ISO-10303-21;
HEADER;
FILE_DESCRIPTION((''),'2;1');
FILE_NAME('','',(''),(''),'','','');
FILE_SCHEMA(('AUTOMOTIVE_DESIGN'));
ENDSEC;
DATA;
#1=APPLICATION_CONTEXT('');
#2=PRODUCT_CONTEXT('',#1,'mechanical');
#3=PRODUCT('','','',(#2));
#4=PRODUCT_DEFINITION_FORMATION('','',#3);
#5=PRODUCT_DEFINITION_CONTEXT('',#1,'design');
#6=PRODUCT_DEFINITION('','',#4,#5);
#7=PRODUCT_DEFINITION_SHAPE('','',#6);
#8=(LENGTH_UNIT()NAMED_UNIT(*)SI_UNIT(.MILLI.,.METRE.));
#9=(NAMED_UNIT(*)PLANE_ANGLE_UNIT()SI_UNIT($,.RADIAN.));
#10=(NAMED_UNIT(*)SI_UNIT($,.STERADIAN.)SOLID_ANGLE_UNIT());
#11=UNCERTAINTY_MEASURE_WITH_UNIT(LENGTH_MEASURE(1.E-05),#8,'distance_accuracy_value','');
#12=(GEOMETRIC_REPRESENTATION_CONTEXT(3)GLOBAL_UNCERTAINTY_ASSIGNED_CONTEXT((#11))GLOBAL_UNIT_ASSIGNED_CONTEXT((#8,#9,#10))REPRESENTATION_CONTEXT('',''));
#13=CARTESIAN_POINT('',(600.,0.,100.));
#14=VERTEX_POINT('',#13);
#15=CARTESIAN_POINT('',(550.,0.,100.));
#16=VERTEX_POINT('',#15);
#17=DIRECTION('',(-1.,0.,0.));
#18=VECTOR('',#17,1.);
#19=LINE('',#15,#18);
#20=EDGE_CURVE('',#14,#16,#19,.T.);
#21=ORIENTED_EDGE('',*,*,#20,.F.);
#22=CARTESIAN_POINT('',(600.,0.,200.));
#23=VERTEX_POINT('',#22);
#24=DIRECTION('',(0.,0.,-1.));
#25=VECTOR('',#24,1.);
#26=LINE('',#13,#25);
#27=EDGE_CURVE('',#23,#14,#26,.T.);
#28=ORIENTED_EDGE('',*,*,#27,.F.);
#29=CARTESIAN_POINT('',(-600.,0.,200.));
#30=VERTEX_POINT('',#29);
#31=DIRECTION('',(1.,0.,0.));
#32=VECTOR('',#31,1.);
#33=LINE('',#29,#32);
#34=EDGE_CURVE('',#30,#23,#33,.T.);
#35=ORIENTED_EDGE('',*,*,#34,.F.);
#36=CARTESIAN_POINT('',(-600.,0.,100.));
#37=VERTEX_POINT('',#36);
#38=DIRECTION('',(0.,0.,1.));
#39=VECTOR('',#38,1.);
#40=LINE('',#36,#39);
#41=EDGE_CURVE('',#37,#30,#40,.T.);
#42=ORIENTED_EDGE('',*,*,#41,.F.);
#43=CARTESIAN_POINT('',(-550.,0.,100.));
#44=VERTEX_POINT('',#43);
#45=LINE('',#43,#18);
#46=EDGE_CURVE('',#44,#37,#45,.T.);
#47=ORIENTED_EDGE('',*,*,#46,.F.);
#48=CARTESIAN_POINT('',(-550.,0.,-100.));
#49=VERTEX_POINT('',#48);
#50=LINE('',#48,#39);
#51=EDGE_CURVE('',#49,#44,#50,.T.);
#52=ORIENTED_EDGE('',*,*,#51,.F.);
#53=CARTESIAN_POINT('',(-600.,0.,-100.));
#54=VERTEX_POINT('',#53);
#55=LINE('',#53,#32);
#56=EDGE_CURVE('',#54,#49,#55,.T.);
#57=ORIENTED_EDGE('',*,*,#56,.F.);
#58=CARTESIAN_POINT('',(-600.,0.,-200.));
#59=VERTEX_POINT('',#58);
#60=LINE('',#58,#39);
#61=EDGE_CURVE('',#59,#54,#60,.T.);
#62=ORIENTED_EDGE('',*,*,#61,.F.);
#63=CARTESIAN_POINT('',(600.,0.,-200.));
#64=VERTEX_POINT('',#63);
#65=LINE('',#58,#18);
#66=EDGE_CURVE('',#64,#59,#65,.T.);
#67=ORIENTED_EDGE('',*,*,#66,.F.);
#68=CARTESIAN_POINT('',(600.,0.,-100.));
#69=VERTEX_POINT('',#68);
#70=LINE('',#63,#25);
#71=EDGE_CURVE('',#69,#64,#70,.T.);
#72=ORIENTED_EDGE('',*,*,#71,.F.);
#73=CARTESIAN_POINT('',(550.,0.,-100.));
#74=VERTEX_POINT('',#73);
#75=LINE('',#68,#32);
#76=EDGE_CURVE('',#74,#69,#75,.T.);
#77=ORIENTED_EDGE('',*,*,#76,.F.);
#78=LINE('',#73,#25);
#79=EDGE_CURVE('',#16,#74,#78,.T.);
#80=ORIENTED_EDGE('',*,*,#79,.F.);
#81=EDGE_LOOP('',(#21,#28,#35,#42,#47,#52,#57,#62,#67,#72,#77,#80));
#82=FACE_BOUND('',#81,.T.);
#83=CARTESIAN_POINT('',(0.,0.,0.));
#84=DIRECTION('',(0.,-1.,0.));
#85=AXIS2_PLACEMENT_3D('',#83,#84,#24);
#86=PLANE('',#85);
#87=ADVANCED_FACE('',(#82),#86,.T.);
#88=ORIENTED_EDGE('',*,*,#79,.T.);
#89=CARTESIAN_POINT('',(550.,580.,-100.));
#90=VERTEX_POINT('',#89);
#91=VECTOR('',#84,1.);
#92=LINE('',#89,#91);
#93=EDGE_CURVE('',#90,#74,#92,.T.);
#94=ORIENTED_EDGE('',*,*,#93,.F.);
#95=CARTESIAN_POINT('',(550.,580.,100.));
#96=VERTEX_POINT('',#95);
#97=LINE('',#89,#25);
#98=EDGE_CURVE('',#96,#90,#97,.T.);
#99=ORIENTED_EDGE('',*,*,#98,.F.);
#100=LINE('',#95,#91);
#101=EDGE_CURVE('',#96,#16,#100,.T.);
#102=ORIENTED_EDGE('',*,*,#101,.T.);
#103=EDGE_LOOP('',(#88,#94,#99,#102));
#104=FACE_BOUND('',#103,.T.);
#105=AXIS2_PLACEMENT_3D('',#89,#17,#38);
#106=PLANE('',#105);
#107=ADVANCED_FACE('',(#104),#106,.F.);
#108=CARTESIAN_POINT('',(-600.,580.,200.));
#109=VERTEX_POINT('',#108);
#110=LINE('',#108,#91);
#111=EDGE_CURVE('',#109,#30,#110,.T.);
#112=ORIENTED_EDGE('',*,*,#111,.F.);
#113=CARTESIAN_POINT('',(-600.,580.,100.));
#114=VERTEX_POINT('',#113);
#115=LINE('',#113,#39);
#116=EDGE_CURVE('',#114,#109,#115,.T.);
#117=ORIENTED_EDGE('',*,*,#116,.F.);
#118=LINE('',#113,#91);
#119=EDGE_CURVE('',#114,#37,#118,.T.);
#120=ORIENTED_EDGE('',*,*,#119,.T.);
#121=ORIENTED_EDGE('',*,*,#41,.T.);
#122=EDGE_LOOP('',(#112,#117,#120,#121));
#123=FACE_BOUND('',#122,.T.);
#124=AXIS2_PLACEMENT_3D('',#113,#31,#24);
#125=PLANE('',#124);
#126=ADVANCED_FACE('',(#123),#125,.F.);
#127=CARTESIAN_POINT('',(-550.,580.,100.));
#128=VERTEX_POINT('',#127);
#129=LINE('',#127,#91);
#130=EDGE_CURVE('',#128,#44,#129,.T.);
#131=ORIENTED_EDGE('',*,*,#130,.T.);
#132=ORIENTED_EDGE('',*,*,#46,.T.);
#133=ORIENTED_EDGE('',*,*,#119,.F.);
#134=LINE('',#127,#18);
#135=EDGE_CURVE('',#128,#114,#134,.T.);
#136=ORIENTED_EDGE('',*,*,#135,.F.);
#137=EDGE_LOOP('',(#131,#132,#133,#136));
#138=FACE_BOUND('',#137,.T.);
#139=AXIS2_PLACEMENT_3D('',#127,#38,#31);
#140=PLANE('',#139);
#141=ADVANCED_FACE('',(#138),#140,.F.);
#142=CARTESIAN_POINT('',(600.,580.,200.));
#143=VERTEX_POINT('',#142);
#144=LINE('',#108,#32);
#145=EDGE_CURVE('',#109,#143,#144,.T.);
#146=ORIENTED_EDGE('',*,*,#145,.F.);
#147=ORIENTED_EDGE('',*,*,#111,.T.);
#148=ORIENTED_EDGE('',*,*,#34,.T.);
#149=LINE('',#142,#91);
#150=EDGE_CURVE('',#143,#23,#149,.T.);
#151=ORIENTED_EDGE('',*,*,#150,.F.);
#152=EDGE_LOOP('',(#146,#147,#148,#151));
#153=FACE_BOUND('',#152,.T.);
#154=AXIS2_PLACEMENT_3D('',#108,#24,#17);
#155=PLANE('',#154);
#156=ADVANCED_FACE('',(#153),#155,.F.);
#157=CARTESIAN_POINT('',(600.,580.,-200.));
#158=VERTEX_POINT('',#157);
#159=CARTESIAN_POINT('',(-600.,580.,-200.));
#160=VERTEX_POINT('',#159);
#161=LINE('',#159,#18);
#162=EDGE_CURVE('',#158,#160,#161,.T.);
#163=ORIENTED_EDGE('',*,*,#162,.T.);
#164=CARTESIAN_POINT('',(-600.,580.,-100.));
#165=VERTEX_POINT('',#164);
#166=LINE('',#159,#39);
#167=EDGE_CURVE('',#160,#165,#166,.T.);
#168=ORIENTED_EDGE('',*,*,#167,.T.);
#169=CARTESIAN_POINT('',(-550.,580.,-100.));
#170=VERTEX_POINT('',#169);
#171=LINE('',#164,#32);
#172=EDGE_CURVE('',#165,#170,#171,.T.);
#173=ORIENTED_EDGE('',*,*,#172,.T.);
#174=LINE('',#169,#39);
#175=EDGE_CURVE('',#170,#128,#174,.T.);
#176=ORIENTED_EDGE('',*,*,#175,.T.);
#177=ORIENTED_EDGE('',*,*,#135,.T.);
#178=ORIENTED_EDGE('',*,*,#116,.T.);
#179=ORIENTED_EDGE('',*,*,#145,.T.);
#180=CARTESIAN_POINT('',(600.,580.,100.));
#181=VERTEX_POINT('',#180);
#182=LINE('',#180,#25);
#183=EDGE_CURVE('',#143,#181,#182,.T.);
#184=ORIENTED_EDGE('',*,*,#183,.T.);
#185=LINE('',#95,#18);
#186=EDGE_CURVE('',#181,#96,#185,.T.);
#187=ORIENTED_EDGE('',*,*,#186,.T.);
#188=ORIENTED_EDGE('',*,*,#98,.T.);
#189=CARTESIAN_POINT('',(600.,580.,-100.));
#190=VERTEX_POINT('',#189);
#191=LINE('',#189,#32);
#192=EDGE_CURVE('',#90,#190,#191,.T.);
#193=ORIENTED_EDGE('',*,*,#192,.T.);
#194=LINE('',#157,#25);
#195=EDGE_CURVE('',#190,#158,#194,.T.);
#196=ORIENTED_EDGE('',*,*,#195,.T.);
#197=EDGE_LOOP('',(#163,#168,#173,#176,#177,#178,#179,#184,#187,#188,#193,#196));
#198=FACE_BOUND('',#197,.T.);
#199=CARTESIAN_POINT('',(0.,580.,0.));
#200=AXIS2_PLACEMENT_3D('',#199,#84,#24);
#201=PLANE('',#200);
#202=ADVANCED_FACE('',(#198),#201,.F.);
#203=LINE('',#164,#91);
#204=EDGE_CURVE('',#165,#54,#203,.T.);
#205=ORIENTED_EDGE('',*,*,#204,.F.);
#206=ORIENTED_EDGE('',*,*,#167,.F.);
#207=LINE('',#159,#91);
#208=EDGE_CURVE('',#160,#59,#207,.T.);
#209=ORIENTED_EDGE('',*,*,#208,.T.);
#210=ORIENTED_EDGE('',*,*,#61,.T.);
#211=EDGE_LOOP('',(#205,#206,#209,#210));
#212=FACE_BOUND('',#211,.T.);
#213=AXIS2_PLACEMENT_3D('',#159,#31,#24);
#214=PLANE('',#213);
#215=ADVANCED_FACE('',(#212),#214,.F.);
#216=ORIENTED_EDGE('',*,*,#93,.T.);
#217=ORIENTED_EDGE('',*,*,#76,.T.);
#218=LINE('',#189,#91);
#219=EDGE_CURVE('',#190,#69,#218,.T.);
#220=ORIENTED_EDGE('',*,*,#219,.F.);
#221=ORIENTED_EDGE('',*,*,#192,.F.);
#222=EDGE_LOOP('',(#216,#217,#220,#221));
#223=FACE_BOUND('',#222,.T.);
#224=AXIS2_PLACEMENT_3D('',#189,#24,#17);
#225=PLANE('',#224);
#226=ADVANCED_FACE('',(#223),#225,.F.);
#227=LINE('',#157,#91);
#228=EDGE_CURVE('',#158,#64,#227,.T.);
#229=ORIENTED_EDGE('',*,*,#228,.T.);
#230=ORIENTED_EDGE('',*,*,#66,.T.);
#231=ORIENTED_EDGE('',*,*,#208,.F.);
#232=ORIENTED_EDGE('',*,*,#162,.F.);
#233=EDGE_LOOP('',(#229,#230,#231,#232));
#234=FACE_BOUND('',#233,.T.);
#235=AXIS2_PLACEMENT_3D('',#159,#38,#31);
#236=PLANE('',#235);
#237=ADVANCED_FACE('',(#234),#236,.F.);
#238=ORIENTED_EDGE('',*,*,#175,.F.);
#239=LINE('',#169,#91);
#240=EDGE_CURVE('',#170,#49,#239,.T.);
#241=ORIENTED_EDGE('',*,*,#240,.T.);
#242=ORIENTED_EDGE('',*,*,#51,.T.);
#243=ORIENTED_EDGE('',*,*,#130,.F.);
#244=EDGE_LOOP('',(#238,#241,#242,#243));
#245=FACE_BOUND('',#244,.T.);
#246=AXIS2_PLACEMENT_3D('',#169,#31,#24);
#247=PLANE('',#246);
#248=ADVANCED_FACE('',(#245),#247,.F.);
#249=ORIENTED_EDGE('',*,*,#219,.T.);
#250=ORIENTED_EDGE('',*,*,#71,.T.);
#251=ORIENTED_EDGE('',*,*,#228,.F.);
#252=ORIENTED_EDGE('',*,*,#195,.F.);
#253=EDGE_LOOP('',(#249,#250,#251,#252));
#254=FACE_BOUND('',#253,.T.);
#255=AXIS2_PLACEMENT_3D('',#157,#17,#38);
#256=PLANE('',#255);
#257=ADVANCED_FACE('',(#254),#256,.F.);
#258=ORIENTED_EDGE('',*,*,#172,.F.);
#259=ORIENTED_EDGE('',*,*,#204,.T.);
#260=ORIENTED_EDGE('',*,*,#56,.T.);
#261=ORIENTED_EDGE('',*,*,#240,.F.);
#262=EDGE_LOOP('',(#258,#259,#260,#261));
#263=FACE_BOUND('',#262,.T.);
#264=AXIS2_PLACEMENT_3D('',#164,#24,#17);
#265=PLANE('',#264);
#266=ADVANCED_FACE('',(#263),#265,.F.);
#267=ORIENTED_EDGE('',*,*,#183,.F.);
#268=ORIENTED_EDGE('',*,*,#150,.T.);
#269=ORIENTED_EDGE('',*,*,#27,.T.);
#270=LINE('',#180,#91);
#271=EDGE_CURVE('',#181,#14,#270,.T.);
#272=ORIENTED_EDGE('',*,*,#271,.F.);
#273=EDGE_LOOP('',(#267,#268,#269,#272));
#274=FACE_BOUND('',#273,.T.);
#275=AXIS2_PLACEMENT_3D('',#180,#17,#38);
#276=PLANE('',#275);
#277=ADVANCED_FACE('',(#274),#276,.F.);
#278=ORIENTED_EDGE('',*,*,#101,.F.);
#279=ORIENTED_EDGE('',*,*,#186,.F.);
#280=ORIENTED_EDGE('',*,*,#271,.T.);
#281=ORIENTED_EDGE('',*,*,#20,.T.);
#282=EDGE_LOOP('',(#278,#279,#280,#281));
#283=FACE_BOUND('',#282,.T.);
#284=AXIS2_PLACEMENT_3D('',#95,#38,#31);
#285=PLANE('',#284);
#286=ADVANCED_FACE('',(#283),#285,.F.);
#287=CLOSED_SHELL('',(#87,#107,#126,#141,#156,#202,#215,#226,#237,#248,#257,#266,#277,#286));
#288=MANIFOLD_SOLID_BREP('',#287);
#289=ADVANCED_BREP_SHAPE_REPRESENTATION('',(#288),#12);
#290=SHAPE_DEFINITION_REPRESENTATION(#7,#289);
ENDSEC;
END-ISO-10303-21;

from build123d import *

# Parameters (mm, degrees)
EXTRUDE_1_DEPTH = 580


with BuildPart() as part:
    # Эскиз1 → Бобышка-Вытянуть1 (new body)
    with BuildSketch(Plane(origin=(0, 0, 0), x_dir=(1, 0, 0), z_dir=(0, 1, 0))):
        Polygon((-600, 200), (600, 200), (600, 100), (550, 100), (550, -100), (600, -100), (600, -200), (-600, -200), (-600, -100), (-550, -100), (-550, 100), (-600, 100), align=None)
    extrude(amount=EXTRUDE_1_DEPTH)


solid = part.part
